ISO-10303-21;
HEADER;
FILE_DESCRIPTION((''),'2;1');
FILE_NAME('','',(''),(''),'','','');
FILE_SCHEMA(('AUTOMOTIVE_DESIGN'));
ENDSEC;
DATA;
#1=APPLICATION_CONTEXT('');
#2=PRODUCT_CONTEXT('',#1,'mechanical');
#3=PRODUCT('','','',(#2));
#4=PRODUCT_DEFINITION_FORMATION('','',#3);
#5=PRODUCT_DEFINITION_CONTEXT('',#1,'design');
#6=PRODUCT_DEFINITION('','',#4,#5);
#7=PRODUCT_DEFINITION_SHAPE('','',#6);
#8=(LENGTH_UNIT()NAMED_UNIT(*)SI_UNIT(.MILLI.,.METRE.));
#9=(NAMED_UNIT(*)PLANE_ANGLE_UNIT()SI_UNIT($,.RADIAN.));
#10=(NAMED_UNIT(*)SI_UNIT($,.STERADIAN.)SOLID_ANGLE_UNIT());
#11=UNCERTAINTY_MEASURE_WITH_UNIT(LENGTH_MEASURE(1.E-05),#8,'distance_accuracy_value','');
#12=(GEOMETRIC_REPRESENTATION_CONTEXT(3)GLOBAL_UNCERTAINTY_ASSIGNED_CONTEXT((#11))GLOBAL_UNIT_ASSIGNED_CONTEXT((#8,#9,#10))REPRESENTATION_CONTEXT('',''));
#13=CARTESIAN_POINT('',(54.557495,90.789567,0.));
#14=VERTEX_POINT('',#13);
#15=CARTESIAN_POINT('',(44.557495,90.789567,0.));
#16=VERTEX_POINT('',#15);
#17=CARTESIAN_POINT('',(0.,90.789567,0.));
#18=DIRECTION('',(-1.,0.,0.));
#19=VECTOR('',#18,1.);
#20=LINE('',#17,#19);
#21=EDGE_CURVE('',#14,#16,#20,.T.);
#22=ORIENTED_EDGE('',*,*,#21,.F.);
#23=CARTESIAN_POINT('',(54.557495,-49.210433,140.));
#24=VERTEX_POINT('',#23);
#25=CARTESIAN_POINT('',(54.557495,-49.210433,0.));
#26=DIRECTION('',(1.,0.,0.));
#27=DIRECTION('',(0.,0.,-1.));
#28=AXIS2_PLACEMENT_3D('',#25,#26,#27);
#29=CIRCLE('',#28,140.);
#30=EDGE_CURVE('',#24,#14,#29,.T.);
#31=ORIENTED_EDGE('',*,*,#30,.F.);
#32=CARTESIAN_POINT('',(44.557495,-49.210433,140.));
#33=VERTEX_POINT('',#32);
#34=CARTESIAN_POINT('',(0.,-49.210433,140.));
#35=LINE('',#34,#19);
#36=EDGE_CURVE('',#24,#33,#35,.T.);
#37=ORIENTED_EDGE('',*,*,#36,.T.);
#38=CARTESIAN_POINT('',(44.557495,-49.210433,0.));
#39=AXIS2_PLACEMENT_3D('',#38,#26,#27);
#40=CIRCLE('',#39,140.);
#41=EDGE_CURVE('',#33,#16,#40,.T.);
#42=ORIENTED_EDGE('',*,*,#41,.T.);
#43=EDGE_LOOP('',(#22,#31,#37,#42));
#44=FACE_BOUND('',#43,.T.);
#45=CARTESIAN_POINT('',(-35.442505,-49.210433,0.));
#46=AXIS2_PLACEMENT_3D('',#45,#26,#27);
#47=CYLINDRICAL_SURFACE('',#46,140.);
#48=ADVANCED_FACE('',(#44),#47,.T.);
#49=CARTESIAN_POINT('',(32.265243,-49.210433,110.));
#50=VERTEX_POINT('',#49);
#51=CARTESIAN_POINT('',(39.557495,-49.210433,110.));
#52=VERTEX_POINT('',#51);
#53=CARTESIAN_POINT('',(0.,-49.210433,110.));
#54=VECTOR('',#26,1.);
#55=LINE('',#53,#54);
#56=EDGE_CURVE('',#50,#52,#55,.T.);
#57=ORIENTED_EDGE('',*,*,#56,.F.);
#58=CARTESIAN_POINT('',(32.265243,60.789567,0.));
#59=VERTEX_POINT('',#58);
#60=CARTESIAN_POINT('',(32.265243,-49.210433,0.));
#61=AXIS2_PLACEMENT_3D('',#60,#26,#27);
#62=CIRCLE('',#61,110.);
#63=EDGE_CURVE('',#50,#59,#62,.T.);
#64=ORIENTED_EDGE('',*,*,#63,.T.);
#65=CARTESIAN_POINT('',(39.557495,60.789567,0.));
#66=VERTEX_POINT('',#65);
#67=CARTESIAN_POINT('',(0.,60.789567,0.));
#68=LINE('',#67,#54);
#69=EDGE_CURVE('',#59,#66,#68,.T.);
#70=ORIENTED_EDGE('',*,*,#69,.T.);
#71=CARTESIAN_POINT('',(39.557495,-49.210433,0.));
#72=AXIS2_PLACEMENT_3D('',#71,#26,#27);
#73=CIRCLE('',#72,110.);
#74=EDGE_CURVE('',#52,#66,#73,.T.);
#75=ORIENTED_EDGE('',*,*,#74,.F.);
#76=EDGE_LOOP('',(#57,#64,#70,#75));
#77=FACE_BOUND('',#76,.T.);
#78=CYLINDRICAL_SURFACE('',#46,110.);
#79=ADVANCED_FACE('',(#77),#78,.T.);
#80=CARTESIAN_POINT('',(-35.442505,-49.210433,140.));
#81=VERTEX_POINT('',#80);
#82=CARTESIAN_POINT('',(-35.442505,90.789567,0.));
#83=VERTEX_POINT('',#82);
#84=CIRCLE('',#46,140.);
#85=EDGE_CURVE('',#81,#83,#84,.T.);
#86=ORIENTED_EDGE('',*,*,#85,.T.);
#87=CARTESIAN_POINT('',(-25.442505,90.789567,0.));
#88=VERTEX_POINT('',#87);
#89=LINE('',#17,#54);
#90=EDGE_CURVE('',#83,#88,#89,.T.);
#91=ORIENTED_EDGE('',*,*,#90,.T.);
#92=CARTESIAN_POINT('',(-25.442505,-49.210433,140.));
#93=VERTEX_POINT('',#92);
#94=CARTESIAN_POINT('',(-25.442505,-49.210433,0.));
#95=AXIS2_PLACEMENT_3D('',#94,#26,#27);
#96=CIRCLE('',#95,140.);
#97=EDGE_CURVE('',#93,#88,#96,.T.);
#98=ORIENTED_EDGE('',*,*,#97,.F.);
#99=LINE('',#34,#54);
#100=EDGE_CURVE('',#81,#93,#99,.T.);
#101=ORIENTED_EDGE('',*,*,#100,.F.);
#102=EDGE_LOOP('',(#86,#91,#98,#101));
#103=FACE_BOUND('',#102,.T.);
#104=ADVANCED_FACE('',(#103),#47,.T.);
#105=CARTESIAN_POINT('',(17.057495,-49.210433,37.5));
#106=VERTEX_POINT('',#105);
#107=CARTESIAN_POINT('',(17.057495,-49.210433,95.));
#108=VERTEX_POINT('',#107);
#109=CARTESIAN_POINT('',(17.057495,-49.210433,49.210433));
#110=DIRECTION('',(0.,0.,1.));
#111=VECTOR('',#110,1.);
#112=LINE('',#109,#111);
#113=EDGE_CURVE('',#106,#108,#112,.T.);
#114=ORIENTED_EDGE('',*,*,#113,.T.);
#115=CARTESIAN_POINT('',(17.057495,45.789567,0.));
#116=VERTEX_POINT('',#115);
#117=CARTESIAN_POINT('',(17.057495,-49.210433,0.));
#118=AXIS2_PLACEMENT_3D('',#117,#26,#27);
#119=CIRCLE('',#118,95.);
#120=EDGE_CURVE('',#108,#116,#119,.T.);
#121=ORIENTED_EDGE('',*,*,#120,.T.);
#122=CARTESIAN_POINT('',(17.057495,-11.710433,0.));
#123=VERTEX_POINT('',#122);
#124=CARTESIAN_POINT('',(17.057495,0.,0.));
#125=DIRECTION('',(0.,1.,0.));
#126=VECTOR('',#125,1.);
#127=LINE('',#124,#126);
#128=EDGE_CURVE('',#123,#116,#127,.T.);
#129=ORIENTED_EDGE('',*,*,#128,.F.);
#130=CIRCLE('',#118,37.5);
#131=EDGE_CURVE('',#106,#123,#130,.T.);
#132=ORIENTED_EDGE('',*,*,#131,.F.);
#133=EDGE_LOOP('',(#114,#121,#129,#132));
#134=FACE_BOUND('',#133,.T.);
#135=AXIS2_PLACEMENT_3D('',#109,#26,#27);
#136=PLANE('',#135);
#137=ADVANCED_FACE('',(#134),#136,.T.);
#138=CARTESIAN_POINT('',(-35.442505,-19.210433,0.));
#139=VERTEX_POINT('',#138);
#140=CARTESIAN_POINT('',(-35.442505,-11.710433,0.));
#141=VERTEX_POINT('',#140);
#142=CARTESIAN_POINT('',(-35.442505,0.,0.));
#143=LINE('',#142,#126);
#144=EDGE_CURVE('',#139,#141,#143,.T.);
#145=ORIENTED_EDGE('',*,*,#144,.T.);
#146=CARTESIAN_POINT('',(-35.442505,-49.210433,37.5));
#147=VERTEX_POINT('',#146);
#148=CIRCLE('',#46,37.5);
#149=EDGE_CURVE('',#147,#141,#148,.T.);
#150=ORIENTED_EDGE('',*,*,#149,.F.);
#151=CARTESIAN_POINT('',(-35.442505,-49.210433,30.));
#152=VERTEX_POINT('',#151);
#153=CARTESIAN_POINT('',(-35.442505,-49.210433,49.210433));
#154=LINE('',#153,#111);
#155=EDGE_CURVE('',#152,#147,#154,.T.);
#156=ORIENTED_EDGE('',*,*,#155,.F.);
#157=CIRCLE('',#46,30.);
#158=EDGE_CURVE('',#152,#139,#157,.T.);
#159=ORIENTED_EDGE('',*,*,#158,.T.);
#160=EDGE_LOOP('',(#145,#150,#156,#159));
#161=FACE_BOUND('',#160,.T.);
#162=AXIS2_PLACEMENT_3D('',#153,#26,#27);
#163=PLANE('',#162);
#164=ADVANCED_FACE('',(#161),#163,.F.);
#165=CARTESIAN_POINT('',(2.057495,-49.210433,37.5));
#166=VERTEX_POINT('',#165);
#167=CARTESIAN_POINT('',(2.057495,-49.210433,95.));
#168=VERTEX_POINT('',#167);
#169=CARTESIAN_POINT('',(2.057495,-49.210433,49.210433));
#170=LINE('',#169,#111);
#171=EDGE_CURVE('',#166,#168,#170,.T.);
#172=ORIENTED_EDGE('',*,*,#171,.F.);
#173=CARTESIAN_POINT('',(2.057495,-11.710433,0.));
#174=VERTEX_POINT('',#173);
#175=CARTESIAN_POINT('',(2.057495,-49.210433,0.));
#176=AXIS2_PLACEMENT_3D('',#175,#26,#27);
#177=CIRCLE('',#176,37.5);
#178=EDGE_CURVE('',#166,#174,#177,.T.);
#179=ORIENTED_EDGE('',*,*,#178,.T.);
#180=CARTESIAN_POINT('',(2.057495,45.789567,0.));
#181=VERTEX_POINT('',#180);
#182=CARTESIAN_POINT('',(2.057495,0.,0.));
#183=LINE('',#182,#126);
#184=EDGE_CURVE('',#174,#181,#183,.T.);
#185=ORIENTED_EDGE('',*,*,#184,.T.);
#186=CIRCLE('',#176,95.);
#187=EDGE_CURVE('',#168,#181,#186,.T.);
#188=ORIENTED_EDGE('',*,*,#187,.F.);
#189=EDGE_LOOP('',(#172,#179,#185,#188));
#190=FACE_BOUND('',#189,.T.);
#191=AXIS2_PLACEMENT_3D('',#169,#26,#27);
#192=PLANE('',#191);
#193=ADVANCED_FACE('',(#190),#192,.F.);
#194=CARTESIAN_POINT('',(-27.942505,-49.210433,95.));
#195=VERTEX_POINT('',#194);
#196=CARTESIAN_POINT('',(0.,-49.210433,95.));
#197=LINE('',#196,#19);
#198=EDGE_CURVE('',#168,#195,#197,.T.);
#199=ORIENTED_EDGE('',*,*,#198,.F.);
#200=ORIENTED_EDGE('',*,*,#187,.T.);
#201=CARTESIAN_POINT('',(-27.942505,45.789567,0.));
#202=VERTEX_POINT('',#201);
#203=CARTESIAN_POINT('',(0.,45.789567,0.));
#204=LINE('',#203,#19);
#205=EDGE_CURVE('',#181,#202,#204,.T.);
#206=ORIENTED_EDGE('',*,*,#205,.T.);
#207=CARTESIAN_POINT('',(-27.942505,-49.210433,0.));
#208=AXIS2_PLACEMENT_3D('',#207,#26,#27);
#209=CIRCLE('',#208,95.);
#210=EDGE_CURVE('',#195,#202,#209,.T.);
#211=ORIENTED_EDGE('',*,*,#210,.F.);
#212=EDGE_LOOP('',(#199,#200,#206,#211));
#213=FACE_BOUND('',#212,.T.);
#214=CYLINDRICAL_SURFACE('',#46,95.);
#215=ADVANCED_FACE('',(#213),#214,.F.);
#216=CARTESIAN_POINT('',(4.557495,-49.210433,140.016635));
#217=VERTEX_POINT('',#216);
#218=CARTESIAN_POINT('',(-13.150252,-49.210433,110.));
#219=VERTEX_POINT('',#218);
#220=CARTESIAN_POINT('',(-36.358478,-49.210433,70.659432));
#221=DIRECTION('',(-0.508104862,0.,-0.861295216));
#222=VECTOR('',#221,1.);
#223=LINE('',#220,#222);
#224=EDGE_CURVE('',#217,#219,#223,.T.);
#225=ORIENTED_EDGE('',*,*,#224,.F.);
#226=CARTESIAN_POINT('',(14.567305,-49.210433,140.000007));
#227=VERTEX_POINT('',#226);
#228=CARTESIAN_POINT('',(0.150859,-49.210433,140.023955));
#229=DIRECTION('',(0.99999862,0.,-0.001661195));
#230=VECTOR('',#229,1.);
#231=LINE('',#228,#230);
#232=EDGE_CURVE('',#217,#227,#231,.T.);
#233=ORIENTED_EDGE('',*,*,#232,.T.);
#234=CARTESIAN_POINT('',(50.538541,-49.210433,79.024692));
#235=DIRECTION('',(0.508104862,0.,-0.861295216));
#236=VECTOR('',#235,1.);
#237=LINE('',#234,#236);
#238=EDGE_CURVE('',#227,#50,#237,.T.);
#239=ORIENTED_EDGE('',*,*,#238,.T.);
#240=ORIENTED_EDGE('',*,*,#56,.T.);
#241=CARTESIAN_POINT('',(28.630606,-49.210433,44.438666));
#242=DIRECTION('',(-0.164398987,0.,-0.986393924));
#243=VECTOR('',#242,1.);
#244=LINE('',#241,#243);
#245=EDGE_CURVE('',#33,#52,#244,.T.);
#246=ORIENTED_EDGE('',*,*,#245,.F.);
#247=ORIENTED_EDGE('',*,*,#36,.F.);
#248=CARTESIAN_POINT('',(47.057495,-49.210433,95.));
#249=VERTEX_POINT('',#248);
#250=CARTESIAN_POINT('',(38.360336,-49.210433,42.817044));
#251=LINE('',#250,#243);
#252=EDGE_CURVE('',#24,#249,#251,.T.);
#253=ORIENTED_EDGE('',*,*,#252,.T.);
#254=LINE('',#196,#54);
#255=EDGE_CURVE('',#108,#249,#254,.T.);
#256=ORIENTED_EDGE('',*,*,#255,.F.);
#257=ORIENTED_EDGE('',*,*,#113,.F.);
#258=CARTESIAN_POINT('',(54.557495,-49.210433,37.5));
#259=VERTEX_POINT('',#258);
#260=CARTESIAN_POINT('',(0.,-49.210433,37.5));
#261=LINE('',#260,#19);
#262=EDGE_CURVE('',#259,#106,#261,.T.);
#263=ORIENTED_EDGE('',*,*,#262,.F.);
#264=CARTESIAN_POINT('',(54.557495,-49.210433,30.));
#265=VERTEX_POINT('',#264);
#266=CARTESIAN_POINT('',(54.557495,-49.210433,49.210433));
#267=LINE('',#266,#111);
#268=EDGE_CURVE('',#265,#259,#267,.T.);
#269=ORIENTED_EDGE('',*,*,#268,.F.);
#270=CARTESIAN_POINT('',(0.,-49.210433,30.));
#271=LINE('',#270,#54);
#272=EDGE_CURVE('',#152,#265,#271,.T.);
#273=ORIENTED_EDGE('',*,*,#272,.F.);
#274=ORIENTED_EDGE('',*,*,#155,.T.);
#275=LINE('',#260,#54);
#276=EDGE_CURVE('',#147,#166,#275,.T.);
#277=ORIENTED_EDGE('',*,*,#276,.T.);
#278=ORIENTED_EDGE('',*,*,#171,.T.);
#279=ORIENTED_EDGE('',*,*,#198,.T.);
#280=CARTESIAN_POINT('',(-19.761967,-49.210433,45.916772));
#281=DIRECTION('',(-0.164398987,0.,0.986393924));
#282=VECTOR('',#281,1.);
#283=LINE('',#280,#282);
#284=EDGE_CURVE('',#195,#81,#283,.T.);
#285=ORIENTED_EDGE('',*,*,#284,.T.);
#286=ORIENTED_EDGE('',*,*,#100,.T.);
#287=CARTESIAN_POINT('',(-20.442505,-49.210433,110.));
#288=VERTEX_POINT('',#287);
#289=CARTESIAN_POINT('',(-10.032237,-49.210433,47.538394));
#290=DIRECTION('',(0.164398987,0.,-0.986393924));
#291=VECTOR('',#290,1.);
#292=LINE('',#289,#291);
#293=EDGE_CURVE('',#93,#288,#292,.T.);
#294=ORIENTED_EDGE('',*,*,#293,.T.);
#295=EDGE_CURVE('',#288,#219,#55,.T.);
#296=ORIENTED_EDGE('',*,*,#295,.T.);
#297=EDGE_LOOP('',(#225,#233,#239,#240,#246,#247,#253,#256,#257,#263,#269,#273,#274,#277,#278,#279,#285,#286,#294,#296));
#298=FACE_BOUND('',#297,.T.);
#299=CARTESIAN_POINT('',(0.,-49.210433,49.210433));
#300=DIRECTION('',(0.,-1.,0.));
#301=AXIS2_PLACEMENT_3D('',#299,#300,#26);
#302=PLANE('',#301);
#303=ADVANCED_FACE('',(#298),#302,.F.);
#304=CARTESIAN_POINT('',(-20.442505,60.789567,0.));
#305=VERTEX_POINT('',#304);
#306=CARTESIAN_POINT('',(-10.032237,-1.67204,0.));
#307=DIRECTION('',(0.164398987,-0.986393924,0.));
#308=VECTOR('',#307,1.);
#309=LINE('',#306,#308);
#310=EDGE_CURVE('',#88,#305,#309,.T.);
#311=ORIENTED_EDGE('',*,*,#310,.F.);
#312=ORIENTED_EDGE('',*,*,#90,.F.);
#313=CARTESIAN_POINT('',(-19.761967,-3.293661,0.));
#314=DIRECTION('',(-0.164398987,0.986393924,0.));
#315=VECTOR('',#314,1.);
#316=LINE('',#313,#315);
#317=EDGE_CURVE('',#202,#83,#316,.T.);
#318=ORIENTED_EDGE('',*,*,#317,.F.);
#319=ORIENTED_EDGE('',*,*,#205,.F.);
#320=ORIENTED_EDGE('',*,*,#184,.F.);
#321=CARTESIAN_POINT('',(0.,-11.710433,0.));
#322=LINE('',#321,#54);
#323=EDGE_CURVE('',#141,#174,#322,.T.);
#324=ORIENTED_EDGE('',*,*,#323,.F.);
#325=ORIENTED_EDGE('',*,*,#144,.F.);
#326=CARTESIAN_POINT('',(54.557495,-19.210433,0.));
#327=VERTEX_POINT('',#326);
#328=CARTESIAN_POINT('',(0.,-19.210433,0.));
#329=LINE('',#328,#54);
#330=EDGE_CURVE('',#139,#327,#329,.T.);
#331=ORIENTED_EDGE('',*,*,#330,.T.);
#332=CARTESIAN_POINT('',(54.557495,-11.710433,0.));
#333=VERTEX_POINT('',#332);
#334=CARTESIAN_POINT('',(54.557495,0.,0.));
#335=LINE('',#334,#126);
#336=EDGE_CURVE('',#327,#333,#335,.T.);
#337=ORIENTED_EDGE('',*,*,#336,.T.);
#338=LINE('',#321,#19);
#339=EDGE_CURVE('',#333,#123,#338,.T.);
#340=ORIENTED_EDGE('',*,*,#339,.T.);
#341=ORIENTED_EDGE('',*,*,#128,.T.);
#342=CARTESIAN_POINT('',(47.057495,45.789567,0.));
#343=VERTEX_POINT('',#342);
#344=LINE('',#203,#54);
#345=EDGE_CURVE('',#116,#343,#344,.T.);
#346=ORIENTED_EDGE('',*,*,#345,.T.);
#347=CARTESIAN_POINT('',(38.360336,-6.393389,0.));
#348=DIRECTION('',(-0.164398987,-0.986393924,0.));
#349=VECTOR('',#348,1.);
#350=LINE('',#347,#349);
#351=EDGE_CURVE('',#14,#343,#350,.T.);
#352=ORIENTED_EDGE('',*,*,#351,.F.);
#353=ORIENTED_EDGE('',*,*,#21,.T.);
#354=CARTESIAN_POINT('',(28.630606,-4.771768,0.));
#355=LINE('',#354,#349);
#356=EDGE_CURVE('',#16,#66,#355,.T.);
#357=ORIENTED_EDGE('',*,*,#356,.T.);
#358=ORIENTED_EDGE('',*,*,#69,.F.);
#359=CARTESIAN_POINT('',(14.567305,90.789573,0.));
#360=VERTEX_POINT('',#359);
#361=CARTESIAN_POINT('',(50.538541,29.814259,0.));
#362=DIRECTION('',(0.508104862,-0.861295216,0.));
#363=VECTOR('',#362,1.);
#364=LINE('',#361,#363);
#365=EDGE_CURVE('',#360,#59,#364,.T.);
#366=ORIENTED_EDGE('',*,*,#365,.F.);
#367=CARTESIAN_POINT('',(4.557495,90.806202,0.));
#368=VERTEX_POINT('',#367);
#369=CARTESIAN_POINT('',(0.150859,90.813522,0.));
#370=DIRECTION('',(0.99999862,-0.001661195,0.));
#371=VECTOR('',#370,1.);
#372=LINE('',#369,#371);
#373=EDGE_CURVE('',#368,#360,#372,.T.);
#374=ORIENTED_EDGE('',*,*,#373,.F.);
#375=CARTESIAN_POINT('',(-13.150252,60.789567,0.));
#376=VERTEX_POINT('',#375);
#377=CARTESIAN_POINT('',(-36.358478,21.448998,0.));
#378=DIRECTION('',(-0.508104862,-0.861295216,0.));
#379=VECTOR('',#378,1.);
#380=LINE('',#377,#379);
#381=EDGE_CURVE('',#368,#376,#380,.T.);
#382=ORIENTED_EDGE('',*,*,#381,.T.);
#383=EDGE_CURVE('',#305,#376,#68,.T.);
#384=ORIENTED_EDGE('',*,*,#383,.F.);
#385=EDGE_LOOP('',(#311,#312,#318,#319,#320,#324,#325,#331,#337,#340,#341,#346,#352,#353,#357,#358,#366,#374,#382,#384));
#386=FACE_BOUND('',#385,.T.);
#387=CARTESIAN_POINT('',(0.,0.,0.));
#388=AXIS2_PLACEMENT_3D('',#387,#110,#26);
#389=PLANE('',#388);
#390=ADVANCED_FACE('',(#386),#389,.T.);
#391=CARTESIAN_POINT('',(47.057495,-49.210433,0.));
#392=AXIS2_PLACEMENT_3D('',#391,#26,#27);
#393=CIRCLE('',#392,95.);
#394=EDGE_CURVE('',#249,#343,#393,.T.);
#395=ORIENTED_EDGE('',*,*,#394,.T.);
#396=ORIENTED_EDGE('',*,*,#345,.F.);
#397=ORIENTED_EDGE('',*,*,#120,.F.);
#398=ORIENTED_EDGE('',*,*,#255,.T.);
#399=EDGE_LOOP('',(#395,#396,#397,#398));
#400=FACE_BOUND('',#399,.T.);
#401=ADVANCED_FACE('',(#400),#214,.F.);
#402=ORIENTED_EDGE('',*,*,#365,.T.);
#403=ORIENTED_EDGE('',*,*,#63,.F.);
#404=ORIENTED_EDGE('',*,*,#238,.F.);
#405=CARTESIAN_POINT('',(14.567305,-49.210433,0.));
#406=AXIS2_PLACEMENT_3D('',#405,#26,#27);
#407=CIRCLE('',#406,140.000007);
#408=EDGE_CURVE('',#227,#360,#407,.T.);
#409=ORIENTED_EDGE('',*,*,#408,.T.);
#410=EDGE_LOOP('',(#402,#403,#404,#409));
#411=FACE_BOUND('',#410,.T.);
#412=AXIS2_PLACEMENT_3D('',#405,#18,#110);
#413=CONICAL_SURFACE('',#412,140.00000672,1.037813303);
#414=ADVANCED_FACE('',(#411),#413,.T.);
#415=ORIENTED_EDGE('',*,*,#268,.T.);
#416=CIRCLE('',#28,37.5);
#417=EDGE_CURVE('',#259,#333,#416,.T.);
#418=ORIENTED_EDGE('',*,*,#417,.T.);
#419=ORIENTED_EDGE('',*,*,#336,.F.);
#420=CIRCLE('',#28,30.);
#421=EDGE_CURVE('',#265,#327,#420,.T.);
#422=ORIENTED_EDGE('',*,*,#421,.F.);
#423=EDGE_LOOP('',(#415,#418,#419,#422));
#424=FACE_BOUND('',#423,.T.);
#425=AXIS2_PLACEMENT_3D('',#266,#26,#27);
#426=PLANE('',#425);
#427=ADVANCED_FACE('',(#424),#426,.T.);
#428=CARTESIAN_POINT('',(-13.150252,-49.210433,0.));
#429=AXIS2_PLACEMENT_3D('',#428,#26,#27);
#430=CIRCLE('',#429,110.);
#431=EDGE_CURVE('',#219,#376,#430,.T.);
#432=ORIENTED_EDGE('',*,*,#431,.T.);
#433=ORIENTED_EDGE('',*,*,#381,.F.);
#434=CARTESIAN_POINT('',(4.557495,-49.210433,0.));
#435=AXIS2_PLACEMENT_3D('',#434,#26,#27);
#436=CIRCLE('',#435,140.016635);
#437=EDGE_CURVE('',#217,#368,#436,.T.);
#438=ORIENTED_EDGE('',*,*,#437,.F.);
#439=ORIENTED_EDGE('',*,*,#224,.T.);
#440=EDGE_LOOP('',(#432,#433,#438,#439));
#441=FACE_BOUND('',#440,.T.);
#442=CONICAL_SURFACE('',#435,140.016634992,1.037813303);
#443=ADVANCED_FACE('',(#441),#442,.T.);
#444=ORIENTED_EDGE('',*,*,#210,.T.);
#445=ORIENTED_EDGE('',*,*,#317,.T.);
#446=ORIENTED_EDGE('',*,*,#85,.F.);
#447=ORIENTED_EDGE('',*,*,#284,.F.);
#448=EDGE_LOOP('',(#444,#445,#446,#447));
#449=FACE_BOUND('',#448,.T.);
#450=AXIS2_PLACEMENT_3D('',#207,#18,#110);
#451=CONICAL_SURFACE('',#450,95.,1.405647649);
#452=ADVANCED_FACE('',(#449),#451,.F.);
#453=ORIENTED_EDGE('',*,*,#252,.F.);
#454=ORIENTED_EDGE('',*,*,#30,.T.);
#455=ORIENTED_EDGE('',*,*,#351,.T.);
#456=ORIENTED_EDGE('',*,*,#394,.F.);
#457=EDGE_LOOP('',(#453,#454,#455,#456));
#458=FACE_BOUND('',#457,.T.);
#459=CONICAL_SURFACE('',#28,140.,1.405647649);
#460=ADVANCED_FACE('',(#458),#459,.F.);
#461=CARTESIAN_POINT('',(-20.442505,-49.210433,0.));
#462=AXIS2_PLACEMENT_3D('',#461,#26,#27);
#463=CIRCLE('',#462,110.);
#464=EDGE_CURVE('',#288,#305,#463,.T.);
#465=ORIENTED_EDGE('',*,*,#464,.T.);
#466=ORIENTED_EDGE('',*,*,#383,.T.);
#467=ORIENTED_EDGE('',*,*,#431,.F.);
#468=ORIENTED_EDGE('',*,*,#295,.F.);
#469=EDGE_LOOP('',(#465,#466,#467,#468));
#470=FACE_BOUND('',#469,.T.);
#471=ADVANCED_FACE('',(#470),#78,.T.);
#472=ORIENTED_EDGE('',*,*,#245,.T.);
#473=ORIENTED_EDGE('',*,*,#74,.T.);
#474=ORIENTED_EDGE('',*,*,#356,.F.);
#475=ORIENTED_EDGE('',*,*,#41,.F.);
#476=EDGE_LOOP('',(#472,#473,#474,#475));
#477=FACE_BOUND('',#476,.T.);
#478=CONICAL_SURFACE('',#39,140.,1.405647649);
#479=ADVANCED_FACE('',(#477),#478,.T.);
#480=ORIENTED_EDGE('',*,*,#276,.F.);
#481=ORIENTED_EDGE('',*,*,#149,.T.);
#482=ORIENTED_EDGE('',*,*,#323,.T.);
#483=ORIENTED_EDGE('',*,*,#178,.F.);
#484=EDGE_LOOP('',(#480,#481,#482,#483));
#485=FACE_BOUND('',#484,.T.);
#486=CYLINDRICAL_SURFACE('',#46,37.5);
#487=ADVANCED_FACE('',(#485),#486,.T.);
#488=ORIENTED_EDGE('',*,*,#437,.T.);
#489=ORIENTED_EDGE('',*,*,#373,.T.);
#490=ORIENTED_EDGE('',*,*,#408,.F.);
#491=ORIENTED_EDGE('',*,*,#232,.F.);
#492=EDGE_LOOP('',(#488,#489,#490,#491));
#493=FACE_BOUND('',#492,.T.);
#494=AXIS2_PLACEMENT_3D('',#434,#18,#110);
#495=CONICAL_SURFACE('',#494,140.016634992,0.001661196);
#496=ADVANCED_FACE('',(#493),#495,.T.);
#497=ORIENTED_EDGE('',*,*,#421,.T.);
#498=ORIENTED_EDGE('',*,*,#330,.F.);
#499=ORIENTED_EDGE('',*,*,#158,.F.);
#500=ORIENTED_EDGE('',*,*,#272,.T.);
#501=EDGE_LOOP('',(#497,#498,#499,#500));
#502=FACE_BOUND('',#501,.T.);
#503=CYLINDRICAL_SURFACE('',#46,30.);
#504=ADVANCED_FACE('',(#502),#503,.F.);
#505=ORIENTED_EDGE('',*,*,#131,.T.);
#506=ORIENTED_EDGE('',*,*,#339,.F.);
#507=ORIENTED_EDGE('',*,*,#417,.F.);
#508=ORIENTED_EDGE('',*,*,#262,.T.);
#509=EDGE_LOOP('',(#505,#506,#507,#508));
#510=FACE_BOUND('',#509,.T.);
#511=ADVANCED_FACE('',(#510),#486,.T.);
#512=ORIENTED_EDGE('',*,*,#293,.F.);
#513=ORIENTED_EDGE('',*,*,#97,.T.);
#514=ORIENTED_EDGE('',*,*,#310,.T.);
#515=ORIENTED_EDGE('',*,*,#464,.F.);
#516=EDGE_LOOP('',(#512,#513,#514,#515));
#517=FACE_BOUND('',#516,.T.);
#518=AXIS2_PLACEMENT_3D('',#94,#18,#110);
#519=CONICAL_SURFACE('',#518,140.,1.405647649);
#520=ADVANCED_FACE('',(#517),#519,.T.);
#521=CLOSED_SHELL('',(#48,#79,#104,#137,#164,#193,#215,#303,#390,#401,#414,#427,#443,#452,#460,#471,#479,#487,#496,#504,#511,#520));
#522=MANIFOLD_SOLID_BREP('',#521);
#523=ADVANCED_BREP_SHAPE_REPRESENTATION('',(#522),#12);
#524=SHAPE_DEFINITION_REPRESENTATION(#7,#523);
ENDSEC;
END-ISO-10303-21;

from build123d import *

# Parameters (mm, degrees)
REVOLVE5_ANGLE = 270


with BuildPart() as part:
    # Sketch1 → Revolve5 (revolve)
    with BuildSketch(Plane.XY):
        Polygon((-35.442504871, -11.710433312), (-35.442504871, -19.210433312), (54.557495129, -19.210433312), (54.557495129, -11.710433312), (17.057495129, -11.710433312), (17.057495129, 45.789566688), (47.057495129, 45.789566688), (54.557495129, 90.789566688), (44.557495129, 90.789566688), (39.557495129, 60.789566688), (32.265242588, 60.789566688), (14.567304664, 90.789573408), (4.557495129, 90.80620168), (-13.15025233, 60.789566688), (-20.442504871, 60.789566688), (-25.442504871, 90.789566688), (-35.442504871, 90.789566688), (-27.942504871, 45.789566688), (2.057495129, 45.789566688), (2.057495129, -11.710433312), align=None)
    revolve(axis=Axis((-35.442504871, -49.210433312, 0), (-1, 0, 0)), revolution_arc=REVOLVE5_ANGLE)


solid = part.part
